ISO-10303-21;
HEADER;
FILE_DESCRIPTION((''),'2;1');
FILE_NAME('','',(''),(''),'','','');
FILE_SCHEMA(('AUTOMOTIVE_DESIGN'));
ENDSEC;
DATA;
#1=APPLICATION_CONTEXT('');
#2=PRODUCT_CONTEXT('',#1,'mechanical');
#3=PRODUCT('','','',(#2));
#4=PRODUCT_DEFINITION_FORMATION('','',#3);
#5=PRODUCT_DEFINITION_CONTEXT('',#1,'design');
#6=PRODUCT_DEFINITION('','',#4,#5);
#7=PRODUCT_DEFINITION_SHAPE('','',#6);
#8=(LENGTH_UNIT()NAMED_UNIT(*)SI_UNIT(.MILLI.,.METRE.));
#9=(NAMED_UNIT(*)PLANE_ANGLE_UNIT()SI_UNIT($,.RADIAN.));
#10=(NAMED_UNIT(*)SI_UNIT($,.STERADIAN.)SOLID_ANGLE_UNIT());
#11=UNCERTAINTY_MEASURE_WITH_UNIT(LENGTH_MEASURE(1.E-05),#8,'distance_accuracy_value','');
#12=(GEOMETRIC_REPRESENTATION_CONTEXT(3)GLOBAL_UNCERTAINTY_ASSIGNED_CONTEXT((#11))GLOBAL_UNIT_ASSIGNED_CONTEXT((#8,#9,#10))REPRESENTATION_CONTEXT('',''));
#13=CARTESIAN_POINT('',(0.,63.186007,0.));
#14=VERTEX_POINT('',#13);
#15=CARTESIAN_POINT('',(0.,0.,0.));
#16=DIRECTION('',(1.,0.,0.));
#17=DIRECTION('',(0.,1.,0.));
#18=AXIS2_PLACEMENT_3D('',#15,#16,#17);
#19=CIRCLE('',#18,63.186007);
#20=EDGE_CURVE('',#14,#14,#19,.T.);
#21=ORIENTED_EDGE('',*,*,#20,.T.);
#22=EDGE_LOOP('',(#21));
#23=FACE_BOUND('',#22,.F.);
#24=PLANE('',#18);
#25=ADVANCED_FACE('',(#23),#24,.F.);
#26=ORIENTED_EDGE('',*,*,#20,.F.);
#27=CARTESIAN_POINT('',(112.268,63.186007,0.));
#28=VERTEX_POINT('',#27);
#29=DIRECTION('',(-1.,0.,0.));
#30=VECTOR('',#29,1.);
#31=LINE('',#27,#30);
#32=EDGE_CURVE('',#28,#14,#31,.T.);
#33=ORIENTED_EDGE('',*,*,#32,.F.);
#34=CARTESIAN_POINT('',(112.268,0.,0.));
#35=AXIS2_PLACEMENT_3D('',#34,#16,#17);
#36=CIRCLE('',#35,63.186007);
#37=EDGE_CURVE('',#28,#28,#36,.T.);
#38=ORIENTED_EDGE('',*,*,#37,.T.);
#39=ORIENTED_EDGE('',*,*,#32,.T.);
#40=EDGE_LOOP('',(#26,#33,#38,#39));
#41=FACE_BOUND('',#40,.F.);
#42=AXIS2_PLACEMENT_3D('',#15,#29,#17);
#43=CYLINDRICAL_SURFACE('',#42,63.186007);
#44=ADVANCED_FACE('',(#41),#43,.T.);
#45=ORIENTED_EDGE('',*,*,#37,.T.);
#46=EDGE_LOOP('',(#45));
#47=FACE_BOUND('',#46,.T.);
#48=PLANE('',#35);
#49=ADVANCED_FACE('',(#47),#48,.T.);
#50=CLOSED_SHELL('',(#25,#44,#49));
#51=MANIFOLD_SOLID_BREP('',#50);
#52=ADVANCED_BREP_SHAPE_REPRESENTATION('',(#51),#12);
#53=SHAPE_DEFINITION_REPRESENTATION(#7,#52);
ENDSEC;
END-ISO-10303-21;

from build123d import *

# Parameters (mm, degrees)
F0_R     = 63.186007
F2_DEPTH = 25.4
F3_DEPTH = 112.268


with BuildPart() as f2:
    # F0 (on Right) → F2 (new body)
    with BuildSketch(Plane.YZ):
        Circle(F0_R)
    extrude(amount=F2_DEPTH)

    # F0 (on Right) → F3 (join)
    with BuildSketch(Plane.YZ):
        Circle(F0_R)
    extrude(amount=F3_DEPTH)


solid = f2.part
